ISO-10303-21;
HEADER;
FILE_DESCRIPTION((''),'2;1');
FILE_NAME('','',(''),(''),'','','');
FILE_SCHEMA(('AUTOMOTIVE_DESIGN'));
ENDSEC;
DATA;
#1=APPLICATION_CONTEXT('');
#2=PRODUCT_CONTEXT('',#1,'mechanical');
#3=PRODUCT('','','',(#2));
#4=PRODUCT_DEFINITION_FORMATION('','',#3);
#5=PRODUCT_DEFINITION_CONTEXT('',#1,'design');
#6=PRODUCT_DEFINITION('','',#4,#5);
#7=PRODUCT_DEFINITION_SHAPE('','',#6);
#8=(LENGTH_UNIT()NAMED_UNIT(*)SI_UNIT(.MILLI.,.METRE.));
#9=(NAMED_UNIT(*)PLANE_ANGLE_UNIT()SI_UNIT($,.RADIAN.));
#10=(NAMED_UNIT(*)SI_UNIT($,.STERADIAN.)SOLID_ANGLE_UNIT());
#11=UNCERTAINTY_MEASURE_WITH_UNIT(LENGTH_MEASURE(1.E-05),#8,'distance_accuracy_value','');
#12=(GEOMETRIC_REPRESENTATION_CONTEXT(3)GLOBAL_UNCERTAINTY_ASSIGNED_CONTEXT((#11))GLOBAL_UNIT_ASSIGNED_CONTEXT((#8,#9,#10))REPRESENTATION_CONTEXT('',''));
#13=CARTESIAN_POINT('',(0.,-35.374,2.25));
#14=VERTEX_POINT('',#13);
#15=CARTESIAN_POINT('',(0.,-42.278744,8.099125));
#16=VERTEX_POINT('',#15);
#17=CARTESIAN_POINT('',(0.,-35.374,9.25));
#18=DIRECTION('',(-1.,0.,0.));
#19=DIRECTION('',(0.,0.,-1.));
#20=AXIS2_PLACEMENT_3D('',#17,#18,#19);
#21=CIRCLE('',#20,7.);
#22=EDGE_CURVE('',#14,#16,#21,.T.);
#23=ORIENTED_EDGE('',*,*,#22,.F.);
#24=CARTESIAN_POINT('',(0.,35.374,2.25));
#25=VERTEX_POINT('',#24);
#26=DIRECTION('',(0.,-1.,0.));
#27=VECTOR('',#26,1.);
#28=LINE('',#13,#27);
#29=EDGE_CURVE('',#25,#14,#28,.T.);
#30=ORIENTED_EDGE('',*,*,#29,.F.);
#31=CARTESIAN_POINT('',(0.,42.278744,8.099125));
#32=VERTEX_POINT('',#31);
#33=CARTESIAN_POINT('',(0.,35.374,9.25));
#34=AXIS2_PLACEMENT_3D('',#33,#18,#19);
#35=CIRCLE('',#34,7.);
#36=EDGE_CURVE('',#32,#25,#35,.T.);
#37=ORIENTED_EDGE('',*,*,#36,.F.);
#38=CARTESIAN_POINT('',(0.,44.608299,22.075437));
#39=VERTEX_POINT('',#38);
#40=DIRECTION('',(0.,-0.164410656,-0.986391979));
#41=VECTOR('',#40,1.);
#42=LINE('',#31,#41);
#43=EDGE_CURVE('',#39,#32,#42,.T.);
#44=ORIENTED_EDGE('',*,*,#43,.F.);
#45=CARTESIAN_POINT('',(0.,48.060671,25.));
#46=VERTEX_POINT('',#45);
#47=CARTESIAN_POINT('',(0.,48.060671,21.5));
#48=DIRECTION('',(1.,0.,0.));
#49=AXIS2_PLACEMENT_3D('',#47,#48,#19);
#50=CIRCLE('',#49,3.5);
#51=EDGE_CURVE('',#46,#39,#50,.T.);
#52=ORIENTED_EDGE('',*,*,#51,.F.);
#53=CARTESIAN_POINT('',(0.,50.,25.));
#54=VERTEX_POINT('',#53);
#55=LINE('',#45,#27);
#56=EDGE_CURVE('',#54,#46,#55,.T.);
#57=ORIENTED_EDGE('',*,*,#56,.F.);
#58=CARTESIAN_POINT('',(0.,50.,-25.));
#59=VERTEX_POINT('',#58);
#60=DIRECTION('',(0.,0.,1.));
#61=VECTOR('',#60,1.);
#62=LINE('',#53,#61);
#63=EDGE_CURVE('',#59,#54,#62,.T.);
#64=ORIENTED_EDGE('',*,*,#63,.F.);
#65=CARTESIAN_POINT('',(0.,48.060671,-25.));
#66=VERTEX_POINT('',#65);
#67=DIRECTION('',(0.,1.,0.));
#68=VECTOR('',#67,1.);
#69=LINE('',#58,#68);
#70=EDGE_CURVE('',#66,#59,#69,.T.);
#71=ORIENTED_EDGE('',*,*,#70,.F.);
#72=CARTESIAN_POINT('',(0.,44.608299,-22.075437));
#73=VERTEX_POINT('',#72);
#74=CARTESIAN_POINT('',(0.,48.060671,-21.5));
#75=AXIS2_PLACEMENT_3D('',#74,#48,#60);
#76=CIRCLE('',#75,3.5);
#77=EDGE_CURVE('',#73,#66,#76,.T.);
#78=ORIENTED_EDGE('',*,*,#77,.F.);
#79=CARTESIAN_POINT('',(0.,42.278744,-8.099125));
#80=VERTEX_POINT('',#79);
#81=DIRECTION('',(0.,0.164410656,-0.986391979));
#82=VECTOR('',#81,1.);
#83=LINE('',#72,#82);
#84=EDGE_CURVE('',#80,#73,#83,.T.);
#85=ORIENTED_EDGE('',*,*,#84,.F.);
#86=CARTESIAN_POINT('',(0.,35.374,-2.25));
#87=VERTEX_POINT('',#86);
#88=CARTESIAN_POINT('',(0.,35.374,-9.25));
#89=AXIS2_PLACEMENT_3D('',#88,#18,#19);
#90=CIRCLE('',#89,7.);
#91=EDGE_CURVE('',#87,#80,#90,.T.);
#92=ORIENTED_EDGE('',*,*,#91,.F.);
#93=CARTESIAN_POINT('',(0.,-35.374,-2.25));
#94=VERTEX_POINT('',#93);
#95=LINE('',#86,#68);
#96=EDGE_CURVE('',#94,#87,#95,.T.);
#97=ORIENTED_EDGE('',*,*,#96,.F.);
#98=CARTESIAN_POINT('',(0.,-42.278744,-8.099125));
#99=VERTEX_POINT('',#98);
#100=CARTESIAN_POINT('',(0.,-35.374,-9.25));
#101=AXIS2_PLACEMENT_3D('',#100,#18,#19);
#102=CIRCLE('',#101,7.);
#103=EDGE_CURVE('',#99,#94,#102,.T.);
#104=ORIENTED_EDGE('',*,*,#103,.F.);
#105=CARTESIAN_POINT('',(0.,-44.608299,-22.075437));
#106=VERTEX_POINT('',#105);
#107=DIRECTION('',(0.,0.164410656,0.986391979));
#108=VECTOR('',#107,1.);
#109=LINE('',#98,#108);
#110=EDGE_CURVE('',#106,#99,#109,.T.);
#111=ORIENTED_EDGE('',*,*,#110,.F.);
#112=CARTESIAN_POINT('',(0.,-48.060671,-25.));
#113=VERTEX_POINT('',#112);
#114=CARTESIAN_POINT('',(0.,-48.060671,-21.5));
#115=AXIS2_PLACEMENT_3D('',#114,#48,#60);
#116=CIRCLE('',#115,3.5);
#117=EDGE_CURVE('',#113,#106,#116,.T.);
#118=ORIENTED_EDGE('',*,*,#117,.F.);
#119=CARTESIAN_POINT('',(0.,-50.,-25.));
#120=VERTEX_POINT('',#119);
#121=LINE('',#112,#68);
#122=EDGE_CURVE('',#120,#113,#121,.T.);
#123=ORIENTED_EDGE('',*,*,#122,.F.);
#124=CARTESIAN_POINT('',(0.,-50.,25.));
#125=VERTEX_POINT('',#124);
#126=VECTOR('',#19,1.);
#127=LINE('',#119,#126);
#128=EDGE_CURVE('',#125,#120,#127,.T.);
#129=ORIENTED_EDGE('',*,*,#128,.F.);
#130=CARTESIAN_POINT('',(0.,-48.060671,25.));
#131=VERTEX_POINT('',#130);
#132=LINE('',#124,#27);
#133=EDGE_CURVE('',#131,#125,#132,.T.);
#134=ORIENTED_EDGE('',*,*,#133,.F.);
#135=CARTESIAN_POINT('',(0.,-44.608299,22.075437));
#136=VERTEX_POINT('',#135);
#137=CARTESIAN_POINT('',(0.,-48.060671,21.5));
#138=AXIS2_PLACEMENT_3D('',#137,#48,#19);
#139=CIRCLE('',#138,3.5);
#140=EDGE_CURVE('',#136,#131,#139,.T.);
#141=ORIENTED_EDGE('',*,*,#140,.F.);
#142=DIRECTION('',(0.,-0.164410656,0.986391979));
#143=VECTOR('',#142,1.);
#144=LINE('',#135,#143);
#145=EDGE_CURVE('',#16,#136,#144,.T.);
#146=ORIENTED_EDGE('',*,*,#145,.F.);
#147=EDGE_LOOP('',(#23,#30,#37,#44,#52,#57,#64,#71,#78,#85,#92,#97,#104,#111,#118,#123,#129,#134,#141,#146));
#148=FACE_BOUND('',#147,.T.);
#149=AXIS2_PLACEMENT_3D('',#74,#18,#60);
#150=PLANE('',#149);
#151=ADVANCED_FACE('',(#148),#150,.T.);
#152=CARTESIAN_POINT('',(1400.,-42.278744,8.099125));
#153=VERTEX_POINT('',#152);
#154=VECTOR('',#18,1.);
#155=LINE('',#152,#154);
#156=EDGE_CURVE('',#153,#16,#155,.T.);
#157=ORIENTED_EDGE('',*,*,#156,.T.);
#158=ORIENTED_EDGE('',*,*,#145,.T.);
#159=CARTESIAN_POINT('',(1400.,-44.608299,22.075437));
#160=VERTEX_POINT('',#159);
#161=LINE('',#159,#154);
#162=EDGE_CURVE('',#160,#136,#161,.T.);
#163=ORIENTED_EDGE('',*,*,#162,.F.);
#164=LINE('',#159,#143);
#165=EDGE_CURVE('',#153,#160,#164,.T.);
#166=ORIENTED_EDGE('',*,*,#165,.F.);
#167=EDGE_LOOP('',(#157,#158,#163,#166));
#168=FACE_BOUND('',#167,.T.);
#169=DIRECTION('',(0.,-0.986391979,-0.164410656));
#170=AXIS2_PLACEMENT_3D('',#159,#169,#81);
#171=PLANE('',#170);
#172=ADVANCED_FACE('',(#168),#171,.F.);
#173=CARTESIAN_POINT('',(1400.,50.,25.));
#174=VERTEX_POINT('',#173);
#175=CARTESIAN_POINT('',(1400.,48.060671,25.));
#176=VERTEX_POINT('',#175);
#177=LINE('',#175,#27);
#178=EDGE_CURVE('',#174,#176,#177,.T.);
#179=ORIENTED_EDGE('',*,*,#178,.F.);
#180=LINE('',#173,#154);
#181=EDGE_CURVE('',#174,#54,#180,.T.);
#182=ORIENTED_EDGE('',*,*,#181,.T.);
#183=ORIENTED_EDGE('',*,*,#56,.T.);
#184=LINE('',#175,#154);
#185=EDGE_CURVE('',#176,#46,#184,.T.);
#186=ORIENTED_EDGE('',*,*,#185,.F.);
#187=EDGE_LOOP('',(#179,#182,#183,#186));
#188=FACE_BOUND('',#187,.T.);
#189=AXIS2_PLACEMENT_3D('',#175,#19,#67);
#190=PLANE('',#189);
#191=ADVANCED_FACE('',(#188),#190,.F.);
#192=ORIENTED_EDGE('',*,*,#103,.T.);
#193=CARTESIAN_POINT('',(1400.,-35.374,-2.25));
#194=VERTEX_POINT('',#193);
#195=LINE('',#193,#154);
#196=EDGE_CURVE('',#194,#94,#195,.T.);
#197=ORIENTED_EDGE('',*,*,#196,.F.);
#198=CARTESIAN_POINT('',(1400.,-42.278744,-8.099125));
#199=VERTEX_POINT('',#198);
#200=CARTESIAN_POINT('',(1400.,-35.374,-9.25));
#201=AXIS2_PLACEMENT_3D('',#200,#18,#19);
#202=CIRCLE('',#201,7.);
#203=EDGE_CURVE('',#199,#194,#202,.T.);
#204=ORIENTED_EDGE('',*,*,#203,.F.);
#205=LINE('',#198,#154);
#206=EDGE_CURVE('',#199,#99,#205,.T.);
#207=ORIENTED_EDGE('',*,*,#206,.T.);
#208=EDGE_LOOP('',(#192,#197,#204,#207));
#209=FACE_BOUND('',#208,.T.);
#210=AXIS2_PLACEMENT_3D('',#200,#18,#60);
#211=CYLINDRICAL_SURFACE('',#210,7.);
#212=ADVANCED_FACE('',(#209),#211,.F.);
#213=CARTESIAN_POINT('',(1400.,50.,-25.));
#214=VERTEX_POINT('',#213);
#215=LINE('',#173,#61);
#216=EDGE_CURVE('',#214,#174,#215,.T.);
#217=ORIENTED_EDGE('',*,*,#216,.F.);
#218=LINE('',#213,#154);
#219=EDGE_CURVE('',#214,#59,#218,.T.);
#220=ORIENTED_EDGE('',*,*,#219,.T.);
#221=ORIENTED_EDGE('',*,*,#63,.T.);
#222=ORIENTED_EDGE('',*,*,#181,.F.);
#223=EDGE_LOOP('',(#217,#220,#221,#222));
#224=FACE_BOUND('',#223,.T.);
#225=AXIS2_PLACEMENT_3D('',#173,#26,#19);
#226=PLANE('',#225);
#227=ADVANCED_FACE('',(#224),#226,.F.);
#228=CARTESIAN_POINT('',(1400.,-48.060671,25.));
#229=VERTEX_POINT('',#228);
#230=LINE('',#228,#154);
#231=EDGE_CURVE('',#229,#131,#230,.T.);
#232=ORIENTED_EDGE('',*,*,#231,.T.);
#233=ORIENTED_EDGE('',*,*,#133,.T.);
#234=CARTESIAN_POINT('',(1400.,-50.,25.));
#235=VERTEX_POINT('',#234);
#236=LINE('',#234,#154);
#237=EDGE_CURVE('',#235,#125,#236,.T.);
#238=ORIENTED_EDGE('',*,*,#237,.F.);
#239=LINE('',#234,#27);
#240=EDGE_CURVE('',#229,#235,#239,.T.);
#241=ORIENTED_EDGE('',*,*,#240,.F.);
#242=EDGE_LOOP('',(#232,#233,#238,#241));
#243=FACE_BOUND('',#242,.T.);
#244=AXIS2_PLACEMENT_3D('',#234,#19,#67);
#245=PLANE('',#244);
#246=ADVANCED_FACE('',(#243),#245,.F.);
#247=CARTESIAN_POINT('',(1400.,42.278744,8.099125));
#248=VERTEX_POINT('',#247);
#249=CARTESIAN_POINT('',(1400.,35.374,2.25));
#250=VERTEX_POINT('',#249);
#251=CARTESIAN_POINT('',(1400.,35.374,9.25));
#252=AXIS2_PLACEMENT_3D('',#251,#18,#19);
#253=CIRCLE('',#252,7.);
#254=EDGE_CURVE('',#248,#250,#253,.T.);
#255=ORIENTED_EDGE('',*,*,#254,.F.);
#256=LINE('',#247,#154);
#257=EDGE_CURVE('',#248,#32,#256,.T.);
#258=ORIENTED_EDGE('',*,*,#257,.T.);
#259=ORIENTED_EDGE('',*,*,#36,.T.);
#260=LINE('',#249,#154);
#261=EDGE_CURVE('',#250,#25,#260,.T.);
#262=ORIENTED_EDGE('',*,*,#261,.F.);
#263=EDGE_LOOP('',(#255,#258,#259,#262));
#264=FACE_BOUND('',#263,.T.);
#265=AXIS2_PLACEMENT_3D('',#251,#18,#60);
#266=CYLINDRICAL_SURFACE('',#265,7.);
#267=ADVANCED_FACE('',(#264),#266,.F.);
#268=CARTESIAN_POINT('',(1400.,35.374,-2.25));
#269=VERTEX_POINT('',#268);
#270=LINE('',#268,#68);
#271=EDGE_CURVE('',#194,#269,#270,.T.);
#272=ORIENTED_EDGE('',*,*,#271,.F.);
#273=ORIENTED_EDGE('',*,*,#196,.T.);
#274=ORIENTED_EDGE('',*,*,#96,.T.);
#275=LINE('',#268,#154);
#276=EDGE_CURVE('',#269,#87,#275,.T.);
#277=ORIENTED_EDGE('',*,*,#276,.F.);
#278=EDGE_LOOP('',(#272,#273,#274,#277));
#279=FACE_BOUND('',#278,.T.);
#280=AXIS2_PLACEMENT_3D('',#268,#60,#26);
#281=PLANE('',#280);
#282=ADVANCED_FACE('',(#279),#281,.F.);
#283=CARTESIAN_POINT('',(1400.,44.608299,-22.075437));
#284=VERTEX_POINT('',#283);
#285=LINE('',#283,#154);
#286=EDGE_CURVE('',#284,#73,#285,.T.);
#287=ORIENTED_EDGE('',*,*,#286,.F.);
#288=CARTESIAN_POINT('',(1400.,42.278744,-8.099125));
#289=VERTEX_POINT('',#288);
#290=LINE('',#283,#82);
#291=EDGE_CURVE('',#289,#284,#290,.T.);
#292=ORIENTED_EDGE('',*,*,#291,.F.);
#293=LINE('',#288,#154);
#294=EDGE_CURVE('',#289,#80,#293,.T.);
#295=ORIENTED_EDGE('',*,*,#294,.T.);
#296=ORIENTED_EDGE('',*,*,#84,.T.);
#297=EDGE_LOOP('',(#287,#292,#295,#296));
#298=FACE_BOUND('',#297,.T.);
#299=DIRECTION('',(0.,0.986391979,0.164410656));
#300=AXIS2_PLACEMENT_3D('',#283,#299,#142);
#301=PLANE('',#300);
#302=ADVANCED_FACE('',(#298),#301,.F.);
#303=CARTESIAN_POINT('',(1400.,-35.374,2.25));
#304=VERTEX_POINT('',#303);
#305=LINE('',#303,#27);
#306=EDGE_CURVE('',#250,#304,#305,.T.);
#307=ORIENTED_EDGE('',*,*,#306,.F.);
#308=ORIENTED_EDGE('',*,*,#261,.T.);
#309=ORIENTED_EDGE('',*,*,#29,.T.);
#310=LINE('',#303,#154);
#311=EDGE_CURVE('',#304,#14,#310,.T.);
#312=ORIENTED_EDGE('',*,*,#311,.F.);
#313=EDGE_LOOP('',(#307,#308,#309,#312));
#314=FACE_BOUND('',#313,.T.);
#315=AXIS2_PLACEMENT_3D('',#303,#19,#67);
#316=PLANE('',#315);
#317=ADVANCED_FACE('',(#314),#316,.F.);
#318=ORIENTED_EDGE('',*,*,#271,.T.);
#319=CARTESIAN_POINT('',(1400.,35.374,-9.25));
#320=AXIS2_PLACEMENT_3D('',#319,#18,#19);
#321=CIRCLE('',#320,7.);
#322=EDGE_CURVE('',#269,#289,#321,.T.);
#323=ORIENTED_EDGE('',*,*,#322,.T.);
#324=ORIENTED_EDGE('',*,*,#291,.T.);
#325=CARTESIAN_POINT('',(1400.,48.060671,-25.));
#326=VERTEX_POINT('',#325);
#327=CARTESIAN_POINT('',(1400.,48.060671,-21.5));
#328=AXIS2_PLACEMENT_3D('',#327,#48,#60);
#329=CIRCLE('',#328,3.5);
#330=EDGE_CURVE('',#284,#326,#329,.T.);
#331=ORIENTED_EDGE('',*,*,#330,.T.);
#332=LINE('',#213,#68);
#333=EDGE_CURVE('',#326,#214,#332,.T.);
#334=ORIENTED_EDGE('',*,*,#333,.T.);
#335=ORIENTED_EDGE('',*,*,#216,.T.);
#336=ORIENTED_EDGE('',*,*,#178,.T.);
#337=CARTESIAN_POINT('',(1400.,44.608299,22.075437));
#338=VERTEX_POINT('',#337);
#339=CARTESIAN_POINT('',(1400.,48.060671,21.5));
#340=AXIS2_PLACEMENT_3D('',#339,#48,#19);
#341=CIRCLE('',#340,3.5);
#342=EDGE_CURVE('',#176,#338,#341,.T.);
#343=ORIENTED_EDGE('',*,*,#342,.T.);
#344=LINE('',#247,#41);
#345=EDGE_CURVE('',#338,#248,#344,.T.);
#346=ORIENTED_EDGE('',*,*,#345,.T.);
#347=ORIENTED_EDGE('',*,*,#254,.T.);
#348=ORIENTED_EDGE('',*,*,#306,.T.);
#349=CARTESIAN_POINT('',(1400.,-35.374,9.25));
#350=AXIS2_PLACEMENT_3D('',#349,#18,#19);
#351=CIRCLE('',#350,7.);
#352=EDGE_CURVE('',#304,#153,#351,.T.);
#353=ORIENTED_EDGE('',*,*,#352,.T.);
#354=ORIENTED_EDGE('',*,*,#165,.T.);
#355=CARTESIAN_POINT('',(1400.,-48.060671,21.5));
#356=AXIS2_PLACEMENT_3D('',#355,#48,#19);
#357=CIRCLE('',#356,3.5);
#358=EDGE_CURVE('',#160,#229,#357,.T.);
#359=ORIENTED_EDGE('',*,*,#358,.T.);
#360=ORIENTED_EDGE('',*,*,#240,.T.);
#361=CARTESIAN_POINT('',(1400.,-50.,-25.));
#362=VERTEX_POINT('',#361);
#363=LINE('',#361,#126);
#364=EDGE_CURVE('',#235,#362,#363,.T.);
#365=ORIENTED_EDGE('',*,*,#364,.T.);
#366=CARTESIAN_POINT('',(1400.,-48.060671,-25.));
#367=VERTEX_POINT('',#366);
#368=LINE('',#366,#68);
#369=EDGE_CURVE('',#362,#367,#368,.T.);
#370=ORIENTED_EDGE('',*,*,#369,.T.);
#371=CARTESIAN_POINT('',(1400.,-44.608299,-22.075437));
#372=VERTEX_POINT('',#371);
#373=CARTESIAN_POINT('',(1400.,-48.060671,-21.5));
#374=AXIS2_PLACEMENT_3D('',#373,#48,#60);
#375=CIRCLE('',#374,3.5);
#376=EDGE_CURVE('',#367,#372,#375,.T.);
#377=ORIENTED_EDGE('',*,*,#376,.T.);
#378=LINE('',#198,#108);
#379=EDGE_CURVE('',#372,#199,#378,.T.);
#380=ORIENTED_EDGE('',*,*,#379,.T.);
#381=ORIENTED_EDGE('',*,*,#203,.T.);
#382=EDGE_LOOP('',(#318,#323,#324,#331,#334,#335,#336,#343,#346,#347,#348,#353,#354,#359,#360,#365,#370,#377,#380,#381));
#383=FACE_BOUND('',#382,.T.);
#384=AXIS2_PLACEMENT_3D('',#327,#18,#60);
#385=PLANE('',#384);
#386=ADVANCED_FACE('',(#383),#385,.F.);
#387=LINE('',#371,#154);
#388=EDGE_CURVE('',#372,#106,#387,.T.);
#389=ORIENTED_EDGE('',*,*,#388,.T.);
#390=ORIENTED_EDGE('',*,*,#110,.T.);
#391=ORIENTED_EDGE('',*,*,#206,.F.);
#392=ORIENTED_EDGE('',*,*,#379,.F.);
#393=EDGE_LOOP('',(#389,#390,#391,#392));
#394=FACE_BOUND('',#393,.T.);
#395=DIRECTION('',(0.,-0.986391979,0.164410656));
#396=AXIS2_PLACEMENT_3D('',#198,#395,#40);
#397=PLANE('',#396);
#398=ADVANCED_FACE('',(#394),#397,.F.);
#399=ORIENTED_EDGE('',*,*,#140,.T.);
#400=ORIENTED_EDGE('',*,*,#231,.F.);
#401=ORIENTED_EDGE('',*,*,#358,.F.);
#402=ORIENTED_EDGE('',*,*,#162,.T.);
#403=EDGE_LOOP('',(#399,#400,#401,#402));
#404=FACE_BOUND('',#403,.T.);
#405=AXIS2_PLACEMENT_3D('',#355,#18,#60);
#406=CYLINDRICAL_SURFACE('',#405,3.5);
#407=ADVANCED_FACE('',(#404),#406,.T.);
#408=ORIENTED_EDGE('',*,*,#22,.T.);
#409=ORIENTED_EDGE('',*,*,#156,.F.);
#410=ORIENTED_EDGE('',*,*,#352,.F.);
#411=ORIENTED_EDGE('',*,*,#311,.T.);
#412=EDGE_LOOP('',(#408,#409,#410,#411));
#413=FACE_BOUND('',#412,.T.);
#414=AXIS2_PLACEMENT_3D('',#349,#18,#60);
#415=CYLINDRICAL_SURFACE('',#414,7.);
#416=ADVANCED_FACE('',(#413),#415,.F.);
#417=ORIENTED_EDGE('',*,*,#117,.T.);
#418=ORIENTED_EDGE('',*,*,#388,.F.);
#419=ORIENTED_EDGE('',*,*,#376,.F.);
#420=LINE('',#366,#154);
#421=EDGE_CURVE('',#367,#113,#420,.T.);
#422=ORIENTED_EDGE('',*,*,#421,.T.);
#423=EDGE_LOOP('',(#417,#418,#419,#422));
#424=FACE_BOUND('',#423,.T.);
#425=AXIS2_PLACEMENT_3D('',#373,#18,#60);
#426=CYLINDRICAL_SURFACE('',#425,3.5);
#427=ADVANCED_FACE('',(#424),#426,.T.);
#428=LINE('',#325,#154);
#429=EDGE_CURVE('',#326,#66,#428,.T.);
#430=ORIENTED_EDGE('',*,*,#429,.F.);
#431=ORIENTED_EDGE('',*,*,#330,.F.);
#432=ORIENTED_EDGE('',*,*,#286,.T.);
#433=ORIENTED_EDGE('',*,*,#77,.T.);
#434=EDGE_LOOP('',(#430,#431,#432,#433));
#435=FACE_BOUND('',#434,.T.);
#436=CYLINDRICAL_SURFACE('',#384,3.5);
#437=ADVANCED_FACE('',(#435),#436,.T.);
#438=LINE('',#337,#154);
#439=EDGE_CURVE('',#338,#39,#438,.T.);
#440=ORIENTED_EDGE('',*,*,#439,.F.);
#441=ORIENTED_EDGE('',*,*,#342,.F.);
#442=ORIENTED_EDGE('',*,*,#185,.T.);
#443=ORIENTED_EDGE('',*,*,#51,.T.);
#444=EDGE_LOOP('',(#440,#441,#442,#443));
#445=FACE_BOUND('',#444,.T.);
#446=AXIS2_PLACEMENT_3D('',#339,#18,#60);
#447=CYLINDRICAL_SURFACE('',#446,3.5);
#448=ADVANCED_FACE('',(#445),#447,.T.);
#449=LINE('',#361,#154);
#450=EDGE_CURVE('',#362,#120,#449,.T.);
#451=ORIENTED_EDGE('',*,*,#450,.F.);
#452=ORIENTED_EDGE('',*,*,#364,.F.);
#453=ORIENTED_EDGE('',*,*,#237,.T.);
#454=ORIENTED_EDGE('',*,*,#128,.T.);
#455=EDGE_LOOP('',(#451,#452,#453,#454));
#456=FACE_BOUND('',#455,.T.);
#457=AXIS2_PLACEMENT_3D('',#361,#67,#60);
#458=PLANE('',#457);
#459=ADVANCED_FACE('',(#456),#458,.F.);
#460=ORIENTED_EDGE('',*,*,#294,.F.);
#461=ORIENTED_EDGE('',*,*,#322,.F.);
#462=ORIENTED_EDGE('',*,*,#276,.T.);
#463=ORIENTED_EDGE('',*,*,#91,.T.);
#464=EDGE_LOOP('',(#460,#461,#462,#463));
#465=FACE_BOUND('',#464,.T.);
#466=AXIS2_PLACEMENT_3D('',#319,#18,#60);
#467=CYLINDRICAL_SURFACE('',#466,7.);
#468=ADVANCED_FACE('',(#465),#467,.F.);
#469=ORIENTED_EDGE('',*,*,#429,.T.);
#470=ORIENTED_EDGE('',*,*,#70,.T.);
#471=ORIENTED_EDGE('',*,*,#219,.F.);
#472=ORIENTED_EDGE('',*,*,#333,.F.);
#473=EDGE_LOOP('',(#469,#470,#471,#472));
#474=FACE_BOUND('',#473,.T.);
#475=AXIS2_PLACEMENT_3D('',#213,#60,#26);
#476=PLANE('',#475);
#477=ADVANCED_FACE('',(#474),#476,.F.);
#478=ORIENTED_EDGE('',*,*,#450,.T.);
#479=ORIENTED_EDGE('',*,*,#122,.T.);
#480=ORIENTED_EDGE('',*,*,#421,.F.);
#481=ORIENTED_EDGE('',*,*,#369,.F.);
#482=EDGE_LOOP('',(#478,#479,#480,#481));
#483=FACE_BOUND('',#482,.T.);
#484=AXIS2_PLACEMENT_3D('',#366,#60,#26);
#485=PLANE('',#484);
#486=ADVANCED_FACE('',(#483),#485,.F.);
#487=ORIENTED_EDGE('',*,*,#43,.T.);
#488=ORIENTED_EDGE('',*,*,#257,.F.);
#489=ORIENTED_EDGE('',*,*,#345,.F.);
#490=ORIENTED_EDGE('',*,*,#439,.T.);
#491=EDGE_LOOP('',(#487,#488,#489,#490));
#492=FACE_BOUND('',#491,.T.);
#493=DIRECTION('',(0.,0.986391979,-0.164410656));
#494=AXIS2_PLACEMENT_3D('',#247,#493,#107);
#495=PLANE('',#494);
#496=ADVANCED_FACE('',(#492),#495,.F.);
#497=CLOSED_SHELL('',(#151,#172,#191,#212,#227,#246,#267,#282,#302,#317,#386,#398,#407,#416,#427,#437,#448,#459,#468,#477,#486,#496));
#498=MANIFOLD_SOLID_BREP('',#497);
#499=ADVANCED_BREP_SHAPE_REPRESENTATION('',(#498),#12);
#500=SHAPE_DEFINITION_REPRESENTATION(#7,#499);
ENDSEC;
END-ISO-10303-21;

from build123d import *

# Parameters (mm, degrees)
VIGA_SB_100_X_8_2_DEPTH = 1400


with BuildPart() as part:
    # Sketch14 → Viga sb 100 X 8(2) (new body)
    with BuildSketch(Plane(origin=(0, 0, 0), x_dir=(0, 0, 1), z_dir=(1, 0, 0))):
        with BuildLine():
            Line((-25, -50), (-25, -48.060671023))
            ThreePointArc((-25, -48.060671023), (-24.17058332, -45.798374682), (-22.075437296, -44.608299096))
            Line((-22.075437296, -44.608299096), (-8.099125408, -42.278743853))
            ThreePointArc((-8.099125408, -42.278743853), (-3.90883336, -39.898592681), (-2.25, -35.374))
            Line((-2.25, -35.374), (-2.25, 35.374))
            ThreePointArc((-2.25, 35.374), (-3.90883336, 39.898592681), (-8.099125408, 42.278743853))
            Line((-8.099125408, 42.278743853), (-22.075437296, 44.608299096))
            ThreePointArc((-22.075437296, 44.608299096), (-24.17058332, 45.798374682), (-25, 48.060671023))
            Line((-25, 48.060671023), (-25, 50))
            Line((-25, 50), (25, 50))
            Line((25, 50), (25, 48.060671023))
            ThreePointArc((25, 48.060671023), (24.17058332, 45.798374682), (22.075437296, 44.608299096))
            Line((22.075437296, 44.608299096), (8.099125408, 42.278743853))
            ThreePointArc((8.099125408, 42.278743853), (3.90883336, 39.898592681), (2.25, 35.374))
            Line((2.25, 35.374), (2.25, -35.374))
            ThreePointArc((2.25, -35.374), (3.90883336, -39.898592681), (8.099125408, -42.278743853))
            Line((8.099125408, -42.278743853), (22.075437296, -44.608299096))
            ThreePointArc((22.075437296, -44.608299096), (24.17058332, -45.798374682), (25, -48.060671023))
            Line((25, -48.060671023), (25, -50))
            Line((25, -50), (-25, -50))
        make_face()
    extrude(amount=VIGA_SB_100_X_8_2_DEPTH)


solid = part.part
